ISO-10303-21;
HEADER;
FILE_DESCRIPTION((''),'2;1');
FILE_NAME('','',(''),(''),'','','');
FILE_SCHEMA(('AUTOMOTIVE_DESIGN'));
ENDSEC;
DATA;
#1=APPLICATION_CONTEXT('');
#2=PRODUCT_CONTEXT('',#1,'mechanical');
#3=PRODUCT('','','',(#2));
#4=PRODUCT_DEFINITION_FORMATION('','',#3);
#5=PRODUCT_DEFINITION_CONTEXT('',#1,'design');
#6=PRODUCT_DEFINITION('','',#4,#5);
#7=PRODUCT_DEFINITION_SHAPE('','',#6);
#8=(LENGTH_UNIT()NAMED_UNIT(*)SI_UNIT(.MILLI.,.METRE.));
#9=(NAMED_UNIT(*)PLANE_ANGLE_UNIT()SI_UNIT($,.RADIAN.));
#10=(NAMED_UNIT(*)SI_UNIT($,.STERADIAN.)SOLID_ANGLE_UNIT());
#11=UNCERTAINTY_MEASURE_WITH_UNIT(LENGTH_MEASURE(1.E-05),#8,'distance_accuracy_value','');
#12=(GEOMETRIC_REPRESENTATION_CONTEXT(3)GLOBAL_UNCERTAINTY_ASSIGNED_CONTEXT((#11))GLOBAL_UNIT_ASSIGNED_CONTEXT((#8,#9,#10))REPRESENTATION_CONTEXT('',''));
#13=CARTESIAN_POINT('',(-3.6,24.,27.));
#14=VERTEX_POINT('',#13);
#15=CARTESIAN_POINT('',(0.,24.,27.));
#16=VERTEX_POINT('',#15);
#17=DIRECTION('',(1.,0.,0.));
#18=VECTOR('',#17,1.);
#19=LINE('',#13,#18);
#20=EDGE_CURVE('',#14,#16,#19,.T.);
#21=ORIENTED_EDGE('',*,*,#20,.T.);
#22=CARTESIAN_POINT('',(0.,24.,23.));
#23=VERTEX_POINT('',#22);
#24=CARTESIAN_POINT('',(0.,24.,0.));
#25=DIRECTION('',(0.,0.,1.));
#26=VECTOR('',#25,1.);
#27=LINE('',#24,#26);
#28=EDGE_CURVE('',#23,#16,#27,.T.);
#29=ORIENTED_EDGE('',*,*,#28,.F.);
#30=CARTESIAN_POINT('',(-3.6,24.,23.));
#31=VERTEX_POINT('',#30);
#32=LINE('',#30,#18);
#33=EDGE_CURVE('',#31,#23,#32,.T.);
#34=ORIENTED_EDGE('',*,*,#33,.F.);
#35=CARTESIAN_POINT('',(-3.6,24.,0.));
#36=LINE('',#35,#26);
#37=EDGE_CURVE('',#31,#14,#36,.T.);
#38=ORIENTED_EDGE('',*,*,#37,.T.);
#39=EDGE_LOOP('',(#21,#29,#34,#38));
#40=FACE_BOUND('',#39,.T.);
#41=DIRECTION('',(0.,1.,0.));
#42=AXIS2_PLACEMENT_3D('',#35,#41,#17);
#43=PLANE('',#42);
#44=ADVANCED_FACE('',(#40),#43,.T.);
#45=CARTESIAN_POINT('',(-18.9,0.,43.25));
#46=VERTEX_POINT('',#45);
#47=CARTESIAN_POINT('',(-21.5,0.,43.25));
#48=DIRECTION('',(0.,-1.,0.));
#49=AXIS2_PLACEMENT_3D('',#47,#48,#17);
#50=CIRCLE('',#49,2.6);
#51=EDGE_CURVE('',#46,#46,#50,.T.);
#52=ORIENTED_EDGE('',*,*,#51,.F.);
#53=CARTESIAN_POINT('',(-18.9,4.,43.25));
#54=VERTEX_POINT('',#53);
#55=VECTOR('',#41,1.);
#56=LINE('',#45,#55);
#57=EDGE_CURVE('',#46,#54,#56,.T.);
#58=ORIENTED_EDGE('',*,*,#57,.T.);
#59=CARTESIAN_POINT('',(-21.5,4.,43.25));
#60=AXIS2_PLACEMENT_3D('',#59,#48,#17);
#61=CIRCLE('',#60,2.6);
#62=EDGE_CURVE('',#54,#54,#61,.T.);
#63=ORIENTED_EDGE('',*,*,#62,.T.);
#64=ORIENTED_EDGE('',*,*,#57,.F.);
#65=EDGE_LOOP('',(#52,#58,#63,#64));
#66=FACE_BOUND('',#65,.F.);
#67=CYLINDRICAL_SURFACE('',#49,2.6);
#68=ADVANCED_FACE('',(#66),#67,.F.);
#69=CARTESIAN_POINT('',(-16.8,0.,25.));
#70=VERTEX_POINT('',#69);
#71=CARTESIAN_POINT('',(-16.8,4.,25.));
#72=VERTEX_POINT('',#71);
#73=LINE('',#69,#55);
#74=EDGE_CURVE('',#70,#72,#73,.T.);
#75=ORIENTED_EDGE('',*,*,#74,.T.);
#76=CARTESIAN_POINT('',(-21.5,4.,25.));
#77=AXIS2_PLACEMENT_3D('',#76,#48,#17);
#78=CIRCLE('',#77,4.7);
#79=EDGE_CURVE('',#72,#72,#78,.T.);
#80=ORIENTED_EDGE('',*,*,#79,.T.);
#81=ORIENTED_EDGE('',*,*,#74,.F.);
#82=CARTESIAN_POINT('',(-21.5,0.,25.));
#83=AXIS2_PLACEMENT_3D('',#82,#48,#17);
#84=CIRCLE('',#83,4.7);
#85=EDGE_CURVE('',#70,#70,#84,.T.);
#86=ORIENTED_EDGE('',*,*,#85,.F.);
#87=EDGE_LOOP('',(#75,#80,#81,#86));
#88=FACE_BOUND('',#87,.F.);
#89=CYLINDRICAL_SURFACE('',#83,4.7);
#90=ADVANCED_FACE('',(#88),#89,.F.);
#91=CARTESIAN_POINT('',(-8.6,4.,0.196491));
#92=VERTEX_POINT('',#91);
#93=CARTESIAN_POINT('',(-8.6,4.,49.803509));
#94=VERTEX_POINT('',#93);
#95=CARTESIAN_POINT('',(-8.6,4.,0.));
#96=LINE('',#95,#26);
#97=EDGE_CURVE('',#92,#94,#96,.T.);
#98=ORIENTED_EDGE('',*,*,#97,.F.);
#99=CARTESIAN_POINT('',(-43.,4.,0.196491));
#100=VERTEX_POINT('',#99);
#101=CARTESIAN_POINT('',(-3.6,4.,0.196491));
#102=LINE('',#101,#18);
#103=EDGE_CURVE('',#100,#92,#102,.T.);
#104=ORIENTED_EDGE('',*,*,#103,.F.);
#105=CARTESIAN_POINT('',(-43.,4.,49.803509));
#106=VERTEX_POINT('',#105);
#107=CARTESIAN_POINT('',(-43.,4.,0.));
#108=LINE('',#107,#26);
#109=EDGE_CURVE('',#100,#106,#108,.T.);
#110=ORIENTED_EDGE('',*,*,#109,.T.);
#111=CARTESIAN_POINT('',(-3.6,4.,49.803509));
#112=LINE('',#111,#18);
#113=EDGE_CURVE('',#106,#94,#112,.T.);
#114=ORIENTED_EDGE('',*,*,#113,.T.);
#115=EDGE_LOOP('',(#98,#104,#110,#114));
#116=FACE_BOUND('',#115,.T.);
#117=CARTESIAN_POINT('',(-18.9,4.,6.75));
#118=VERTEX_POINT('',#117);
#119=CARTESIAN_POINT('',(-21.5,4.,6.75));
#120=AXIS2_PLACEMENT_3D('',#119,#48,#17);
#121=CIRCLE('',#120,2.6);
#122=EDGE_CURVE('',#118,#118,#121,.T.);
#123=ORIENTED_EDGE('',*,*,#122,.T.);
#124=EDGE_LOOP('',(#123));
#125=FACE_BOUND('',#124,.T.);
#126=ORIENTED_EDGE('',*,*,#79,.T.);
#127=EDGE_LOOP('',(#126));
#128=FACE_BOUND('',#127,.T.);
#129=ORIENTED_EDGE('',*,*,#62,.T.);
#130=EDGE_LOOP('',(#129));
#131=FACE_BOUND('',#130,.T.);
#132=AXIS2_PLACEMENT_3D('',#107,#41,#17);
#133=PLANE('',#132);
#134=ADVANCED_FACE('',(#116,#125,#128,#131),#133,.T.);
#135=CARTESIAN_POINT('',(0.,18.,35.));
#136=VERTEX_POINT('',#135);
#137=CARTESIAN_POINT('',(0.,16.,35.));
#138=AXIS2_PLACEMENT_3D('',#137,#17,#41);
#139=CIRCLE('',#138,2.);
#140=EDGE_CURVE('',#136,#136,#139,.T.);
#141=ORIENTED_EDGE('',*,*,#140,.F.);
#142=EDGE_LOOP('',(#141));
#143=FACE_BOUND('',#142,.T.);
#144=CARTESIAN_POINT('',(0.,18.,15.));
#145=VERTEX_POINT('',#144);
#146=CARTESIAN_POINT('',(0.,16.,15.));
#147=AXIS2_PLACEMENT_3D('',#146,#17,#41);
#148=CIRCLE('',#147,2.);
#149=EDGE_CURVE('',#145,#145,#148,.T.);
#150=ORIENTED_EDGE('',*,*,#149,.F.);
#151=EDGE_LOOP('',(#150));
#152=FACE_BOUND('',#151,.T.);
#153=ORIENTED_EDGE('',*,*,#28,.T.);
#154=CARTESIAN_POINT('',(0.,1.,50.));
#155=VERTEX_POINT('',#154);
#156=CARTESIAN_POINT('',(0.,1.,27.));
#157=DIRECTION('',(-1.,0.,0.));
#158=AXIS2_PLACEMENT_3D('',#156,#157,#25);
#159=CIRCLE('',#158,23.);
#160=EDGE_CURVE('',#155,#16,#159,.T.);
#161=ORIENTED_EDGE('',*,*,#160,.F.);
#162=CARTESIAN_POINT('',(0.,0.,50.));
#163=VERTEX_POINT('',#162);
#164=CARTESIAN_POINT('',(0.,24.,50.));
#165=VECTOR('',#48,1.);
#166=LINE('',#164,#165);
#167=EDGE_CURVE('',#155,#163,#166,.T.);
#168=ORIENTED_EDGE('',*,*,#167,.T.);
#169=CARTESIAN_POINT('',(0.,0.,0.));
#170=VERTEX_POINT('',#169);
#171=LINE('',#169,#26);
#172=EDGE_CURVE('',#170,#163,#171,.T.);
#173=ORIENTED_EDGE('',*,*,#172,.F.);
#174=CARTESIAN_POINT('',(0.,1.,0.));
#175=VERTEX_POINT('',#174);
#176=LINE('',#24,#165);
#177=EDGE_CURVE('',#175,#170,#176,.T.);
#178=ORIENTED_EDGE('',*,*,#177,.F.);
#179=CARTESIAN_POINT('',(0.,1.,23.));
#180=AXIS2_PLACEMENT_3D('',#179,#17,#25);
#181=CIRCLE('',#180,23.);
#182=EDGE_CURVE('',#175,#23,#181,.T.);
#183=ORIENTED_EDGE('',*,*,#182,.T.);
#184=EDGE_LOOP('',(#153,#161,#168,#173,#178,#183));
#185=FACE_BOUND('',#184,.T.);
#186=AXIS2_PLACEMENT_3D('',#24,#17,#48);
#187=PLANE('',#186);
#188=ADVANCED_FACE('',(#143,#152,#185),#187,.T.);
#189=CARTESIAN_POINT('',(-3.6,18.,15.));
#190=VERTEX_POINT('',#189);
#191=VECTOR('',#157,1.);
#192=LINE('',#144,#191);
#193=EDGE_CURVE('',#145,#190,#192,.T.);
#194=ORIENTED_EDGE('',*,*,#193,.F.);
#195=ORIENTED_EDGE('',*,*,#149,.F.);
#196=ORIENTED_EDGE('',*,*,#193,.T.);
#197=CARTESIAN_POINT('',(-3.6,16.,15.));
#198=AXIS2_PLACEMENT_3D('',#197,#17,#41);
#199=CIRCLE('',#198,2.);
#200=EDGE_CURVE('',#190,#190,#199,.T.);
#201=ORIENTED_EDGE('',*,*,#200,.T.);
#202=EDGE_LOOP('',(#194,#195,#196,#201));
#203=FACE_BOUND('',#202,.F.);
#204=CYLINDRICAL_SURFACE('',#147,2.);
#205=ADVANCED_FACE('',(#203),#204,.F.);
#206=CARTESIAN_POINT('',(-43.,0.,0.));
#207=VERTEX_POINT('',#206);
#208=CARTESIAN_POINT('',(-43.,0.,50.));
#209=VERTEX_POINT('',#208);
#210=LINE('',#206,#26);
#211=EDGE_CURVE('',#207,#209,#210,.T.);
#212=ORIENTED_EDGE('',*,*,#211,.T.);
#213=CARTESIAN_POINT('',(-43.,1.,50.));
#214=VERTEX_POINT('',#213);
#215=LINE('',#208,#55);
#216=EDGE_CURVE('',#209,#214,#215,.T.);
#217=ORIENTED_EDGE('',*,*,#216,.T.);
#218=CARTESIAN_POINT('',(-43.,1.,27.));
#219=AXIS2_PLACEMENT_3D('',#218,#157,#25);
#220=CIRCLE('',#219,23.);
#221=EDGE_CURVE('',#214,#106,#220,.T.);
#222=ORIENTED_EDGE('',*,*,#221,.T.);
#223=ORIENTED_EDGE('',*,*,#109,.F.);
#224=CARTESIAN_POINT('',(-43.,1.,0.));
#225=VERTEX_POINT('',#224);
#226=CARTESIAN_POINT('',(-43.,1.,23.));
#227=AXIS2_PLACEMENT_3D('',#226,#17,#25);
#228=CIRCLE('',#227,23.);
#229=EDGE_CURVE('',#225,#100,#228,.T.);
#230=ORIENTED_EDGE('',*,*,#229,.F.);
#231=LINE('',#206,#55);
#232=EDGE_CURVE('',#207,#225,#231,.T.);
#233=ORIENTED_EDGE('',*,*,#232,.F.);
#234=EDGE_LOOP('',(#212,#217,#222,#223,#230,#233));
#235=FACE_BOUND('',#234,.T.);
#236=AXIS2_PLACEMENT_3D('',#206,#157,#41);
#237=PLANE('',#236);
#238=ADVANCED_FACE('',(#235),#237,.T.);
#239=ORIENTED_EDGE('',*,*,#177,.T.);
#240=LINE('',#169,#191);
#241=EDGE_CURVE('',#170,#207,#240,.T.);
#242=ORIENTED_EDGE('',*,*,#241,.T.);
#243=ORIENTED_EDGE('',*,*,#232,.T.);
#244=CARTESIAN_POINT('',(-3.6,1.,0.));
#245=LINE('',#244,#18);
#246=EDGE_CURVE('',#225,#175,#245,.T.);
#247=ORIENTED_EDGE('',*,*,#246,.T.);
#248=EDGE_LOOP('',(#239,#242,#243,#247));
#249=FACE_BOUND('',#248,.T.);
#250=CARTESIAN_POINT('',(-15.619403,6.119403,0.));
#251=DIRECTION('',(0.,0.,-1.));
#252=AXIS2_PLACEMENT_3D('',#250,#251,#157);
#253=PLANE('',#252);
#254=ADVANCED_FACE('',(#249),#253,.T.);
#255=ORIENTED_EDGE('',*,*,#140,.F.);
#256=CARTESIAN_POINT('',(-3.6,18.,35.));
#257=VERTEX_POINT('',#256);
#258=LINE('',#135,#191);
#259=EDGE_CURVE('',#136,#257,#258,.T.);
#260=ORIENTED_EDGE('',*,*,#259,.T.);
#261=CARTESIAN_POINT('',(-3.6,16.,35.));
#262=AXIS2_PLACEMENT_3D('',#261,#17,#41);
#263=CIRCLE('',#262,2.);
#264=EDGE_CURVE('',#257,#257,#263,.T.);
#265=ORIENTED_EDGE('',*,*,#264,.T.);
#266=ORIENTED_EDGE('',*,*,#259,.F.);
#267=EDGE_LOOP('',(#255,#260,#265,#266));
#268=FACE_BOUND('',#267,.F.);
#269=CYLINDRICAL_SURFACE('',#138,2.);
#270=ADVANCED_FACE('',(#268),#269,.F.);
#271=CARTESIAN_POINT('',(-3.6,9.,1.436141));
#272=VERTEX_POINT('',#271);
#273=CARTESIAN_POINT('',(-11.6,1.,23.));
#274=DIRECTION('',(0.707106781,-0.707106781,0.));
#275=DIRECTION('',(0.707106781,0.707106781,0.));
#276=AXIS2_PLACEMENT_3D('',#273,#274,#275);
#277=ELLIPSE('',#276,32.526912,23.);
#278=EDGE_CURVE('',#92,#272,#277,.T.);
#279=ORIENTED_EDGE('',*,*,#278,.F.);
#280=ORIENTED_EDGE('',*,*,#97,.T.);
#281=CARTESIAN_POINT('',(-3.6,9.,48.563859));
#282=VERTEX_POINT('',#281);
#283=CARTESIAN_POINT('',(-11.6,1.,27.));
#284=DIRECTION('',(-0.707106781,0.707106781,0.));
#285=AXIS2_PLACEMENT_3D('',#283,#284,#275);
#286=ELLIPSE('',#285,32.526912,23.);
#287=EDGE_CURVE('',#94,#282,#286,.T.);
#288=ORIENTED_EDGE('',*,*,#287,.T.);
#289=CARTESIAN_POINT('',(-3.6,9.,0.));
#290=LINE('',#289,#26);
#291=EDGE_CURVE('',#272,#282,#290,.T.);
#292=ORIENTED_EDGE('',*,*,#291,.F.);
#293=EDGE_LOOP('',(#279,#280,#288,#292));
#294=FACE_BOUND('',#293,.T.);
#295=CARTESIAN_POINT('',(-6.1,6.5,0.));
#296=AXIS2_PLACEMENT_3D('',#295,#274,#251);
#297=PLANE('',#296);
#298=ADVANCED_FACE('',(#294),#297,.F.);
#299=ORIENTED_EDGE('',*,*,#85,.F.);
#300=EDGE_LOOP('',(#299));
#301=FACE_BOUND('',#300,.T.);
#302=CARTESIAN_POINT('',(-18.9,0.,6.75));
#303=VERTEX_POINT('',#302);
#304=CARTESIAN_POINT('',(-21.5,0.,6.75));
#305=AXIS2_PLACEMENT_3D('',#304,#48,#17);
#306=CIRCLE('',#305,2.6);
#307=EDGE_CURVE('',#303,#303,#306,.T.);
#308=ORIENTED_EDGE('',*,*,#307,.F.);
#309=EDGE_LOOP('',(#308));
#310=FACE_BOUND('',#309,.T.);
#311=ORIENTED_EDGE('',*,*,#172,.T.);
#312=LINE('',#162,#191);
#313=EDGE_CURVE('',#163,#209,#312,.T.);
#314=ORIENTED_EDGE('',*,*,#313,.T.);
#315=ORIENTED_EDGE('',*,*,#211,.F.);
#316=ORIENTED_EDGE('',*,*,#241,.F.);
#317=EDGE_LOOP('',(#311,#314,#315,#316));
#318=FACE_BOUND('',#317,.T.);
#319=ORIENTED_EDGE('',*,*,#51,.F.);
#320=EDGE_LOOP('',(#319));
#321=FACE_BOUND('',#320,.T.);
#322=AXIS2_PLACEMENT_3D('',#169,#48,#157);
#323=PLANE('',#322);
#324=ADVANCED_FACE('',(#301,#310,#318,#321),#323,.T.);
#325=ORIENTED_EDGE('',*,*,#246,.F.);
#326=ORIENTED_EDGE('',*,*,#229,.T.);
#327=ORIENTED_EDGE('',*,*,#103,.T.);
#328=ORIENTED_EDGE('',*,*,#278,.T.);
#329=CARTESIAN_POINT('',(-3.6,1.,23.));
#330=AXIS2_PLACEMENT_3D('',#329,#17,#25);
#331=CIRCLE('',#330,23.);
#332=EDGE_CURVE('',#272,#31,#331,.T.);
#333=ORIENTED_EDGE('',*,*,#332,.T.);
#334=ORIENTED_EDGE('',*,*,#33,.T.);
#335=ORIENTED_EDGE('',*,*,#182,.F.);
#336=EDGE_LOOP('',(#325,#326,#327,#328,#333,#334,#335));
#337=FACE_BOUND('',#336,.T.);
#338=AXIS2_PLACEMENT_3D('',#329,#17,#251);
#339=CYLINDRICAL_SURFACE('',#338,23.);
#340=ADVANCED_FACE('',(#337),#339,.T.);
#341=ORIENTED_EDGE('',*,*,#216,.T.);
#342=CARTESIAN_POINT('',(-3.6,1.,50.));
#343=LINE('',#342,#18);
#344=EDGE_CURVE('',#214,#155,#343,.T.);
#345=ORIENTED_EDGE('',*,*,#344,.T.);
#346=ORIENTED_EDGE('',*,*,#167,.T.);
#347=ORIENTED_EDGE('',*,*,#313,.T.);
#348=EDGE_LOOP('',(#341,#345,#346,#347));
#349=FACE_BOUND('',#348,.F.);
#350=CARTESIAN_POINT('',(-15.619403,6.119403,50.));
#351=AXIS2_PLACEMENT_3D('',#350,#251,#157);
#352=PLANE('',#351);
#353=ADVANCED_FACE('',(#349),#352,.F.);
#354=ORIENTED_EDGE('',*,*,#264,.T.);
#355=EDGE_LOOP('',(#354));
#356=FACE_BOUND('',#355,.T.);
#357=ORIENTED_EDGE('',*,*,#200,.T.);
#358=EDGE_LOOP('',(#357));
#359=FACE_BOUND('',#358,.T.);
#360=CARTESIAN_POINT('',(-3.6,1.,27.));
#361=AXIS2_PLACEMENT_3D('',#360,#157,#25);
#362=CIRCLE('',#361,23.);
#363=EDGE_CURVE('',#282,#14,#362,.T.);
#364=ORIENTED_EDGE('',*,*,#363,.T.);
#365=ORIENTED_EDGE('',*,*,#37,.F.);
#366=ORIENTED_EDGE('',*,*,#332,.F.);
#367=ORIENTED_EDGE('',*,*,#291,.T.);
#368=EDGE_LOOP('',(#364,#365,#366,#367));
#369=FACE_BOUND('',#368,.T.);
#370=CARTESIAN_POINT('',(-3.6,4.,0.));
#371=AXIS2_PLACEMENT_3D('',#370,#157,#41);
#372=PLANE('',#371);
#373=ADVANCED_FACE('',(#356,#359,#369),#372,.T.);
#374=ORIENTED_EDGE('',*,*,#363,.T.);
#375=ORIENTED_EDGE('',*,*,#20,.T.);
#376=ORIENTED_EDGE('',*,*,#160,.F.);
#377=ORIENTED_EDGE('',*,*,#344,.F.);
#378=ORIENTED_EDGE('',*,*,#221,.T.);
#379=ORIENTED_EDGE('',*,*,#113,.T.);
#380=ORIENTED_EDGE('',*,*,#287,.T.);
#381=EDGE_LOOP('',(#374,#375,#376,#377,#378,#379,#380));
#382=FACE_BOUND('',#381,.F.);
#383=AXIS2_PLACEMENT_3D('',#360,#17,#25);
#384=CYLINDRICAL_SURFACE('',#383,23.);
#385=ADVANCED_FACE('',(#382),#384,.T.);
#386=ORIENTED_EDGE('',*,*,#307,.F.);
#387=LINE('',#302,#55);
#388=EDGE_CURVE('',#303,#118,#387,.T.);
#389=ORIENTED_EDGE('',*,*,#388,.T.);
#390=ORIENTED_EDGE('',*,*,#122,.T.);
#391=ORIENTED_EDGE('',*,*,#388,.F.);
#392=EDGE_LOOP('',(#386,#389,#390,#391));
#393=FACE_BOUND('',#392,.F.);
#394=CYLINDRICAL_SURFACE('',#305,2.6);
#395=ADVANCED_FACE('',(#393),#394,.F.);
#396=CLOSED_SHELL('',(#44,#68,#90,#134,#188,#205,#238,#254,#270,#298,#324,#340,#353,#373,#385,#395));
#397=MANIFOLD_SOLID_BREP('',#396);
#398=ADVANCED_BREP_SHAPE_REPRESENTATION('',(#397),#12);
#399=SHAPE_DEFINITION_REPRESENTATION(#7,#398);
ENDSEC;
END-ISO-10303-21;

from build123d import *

# Parameters (mm, degrees)
PAD003_DEPTH    = 50
SKETCH_R        = 2.6
SKETCH_R_2      = 4.7
POCKET_DEPTH    = 4
SKETCH005_R     = 2
POCKET001_DEPTH = 3.6
CHAMFER_SIZE    = 5
FILLET_R        = 23


with BuildPart() as part:
    # Sketch003 → Pad003 (new body)
    with BuildSketch(Plane.XY):
        Polygon((-43, 4), (-3.6, 4), (-3.6, 24), (0, 24), (0, 0), (-43, 0), align=None)
    extrude(amount=PAD003_DEPTH)

    # Sketch → Pocket (cut)
    with BuildSketch(Plane.XZ):
        with Locations((-21.5, 43.25)):
            Circle(SKETCH_R)
        with Locations((-21.5, 6.75)):
            Circle(SKETCH_R)
        with Locations((-21.5, 25)):
            Circle(SKETCH_R_2)
    extrude(amount=-POCKET_DEPTH, mode=Mode.SUBTRACT)

    # Sketch005 → Pocket001 (cut)
    with BuildSketch(Plane.YZ):
        with Locations((16, 35)):
            Circle(SKETCH005_R)
        with Locations((16, 15)):
            Circle(SKETCH005_R)
    extrude(amount=-POCKET001_DEPTH, mode=Mode.SUBTRACT)

    # Chamfer
    chamfer_edges = [part.edges().sort_by_distance(p)[0] for p in [
        (-3.6, 4, 25),
    ]]
    chamfer(chamfer_edges, length=CHAMFER_SIZE)

    # Fillet
    fillet_edges = [part.edges().sort_by_distance(p)[0] for p in [
        (-1.8, 24, 0),
        (-1.8, 24, 50),
    ]]
    fillet(fillet_edges, radius=FILLET_R)


solid = part.part
